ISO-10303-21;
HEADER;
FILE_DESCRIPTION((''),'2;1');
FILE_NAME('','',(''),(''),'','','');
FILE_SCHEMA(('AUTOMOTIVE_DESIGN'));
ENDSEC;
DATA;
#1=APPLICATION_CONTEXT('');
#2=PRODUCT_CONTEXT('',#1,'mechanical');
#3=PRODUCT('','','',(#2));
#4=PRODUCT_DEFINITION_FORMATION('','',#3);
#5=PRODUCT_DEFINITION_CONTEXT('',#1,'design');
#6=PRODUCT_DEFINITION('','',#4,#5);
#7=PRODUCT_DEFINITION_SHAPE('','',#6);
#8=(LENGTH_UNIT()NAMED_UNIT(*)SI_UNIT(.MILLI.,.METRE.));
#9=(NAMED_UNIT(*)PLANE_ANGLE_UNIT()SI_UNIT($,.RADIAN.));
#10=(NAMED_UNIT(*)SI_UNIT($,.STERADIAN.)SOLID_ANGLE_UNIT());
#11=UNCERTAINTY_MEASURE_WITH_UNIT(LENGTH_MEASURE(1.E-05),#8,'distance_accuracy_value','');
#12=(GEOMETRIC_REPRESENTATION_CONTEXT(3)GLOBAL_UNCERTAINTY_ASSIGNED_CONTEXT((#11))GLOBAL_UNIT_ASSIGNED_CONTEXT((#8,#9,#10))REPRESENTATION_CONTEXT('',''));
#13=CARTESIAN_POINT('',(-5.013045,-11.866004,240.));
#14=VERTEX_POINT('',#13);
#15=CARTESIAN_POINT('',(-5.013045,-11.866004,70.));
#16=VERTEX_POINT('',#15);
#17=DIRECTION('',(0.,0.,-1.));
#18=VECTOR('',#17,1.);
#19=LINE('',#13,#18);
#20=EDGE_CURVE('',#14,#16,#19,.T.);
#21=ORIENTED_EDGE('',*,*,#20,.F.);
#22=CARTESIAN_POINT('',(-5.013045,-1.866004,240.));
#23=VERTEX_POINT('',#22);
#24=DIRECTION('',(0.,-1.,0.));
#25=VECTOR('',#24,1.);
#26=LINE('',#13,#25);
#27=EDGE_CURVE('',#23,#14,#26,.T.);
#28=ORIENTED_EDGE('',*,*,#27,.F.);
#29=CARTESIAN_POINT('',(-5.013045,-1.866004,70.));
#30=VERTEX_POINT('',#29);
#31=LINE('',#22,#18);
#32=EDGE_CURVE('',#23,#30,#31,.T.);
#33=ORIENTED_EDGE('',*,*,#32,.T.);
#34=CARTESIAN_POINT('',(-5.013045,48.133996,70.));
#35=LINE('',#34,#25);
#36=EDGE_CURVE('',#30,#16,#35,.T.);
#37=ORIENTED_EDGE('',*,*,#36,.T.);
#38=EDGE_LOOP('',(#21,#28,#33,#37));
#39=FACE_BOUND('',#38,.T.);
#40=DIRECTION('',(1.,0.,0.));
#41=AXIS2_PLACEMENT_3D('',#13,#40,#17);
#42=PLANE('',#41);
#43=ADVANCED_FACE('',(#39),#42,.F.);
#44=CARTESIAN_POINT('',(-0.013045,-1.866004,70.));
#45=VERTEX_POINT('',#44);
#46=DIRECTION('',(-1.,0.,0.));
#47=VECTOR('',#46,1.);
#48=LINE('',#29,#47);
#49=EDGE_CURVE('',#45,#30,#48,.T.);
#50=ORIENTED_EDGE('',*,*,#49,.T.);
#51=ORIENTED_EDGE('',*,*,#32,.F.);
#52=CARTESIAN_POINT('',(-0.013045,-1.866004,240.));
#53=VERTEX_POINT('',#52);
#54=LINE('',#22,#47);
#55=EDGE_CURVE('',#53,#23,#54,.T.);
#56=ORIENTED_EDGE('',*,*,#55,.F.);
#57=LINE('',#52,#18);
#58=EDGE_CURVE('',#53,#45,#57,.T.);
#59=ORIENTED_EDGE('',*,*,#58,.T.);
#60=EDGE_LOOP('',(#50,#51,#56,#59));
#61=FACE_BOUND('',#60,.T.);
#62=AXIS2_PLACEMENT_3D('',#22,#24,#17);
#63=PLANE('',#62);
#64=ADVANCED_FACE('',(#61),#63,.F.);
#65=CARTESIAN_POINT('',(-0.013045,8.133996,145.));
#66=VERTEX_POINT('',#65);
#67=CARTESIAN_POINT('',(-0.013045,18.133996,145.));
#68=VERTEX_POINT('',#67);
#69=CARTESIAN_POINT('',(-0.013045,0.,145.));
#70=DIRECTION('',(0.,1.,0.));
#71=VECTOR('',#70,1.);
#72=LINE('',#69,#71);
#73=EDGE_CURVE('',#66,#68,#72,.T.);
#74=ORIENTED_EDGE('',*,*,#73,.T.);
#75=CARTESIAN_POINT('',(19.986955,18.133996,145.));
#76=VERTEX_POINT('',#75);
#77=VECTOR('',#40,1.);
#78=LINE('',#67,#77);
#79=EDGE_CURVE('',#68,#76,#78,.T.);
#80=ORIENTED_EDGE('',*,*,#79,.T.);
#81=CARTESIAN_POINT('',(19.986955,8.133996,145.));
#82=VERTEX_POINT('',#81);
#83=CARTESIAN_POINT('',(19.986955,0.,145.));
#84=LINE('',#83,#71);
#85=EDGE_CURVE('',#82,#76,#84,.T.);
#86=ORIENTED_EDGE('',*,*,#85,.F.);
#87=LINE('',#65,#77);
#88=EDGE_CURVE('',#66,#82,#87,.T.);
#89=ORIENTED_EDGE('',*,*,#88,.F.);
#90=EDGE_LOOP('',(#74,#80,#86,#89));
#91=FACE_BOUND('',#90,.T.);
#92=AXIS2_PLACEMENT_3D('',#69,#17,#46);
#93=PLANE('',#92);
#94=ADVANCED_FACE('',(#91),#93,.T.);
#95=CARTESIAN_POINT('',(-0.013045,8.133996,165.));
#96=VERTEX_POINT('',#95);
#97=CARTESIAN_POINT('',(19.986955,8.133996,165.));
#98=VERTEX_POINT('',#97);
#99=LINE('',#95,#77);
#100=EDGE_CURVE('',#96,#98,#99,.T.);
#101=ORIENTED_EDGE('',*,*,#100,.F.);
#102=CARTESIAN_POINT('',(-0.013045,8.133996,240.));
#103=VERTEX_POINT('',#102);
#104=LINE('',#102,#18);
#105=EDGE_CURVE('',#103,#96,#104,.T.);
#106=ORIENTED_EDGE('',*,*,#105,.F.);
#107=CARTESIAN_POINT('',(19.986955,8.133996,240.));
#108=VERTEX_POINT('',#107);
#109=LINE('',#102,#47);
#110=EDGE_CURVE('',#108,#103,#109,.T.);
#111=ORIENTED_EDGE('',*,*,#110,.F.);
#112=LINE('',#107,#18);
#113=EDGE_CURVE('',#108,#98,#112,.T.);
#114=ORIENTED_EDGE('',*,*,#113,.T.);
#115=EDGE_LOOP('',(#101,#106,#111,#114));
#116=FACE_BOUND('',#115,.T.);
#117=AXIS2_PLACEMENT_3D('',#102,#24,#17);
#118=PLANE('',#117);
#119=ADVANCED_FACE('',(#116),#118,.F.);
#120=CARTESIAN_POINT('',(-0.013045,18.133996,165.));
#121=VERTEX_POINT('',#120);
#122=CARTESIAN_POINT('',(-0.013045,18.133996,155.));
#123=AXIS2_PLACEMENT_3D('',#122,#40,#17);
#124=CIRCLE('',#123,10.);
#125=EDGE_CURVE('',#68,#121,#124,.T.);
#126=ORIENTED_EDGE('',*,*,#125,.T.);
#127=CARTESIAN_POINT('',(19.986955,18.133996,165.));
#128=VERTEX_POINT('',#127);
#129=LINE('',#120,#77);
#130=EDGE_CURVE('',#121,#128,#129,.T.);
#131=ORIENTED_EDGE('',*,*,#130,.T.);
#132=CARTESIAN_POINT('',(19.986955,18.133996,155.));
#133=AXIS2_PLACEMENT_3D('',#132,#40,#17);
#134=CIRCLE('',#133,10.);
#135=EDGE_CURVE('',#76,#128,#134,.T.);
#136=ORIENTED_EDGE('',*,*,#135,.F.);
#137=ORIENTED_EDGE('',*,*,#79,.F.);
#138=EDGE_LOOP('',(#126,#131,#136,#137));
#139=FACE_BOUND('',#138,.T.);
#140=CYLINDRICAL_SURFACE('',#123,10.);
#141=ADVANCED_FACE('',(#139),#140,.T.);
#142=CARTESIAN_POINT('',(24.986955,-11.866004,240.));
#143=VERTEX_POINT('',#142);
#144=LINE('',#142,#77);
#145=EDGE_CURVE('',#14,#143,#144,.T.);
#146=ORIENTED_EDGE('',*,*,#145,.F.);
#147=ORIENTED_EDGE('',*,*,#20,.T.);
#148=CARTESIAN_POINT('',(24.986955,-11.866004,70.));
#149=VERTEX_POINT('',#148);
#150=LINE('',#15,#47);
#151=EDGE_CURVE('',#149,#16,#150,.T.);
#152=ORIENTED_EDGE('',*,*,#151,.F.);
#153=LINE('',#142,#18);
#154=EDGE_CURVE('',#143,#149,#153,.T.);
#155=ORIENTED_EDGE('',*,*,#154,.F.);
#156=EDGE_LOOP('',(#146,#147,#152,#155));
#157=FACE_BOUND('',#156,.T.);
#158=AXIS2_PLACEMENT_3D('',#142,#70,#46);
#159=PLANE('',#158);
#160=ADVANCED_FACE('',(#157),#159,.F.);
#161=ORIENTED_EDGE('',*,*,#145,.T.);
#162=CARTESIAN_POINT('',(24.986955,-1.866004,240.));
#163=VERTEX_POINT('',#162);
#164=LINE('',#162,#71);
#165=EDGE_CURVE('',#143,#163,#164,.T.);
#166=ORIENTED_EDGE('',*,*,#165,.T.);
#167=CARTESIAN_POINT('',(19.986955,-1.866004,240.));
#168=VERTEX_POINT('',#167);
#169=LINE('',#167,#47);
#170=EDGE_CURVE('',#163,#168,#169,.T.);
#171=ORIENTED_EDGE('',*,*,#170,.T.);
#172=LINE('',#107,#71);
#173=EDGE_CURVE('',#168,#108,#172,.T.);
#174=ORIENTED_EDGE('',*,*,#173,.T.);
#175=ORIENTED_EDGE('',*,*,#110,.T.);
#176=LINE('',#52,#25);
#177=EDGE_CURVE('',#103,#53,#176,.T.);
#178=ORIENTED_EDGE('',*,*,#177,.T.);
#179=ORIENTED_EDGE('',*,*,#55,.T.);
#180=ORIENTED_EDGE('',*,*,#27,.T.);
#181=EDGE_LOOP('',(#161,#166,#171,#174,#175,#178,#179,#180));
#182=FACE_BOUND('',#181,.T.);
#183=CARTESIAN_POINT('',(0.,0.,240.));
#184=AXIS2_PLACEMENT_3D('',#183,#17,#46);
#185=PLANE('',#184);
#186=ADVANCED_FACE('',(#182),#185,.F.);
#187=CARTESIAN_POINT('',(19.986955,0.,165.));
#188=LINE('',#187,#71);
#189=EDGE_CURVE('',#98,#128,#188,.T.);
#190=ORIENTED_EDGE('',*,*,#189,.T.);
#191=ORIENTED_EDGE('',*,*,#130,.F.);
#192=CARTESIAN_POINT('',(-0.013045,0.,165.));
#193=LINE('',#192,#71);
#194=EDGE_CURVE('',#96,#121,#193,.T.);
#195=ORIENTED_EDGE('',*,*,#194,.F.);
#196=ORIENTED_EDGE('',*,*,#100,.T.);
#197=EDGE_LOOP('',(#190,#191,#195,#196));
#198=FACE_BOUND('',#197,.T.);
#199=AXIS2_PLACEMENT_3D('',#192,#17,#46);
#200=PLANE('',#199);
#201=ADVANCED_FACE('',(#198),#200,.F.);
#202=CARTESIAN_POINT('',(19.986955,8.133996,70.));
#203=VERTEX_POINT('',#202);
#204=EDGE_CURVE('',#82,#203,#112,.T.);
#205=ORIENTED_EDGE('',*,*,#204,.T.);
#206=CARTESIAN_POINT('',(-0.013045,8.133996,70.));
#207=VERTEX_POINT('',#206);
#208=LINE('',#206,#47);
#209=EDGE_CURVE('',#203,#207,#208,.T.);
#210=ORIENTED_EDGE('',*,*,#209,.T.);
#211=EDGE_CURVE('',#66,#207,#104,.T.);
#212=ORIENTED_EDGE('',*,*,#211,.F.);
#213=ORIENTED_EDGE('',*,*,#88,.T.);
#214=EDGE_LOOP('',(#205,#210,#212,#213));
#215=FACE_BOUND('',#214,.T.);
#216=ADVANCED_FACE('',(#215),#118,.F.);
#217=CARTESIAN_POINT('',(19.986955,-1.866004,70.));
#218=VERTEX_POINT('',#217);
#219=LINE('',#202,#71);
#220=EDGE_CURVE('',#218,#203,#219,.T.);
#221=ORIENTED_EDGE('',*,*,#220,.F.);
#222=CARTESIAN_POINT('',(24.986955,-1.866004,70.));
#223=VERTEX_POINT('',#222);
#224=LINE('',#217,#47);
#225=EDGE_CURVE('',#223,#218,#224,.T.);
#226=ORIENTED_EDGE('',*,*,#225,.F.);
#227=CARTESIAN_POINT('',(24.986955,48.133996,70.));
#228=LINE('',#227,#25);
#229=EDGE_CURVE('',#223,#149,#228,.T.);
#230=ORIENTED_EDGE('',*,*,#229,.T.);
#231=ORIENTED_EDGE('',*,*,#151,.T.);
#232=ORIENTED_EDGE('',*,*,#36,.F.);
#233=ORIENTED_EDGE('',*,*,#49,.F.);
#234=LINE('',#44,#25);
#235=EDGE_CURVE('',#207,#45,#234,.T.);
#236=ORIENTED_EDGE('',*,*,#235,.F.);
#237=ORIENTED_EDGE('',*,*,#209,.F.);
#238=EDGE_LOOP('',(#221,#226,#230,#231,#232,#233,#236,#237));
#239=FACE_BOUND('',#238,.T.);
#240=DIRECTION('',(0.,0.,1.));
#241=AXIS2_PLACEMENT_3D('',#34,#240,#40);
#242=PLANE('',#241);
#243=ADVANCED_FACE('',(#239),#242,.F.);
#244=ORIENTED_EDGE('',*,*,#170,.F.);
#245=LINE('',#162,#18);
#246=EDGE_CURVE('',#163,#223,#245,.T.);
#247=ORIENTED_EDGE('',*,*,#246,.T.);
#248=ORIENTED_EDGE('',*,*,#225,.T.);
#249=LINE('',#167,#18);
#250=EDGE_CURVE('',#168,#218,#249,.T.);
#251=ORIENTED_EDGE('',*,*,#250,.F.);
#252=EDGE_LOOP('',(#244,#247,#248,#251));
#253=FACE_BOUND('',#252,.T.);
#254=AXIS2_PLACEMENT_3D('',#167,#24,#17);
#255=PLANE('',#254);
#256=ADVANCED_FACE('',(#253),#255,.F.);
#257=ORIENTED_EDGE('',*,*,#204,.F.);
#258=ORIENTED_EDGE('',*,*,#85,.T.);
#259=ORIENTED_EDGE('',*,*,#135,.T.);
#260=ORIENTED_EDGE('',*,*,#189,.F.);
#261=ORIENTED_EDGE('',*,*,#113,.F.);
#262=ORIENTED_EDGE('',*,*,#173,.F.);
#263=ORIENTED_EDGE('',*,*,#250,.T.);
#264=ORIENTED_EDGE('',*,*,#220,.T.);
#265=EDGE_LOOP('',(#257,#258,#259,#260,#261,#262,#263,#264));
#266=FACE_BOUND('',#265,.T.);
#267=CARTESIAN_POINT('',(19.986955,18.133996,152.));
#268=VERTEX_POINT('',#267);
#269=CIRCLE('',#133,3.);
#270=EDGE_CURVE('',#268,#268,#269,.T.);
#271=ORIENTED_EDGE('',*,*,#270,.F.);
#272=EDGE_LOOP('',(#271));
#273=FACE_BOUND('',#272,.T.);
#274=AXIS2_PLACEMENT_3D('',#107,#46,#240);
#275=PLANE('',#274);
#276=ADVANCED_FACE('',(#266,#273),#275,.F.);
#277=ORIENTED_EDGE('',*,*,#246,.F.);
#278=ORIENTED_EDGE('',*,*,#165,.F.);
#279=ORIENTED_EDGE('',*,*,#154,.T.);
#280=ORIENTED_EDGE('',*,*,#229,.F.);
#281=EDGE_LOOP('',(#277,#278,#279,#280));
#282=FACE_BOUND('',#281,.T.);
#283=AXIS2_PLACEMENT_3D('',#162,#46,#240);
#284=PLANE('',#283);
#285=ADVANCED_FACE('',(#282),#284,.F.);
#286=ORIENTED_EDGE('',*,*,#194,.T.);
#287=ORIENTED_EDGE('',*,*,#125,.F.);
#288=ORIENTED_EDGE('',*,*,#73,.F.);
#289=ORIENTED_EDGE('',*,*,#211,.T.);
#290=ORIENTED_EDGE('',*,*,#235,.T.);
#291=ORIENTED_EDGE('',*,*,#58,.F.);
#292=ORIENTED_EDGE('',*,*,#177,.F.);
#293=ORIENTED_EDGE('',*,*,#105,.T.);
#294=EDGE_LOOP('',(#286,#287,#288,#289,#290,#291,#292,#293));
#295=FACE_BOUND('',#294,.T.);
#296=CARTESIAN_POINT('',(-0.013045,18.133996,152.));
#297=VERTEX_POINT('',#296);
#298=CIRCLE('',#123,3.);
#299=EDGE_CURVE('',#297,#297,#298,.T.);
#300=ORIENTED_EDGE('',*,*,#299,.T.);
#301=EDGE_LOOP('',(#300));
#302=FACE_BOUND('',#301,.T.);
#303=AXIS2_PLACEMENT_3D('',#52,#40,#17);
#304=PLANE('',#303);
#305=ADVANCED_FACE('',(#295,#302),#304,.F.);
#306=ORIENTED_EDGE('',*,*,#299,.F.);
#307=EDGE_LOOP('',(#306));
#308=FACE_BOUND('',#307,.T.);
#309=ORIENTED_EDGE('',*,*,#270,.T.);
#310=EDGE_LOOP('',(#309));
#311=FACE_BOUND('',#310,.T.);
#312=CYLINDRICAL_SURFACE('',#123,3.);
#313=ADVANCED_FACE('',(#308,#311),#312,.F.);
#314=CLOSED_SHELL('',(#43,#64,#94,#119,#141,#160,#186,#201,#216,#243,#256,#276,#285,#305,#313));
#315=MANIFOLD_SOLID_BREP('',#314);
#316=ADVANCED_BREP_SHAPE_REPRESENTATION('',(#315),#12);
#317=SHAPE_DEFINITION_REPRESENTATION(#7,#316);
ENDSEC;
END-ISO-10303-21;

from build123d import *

# Parameters (mm, degrees)
EXTRUDE_3_DEPTH     = 240
EXTRUDE_5_DEPTH     = 100
SKETCH_9_W          = 30
SKETCH_9_H          = 170
CUT_EXTRUDE_1_DEPTH = 60
EXTRUDE_6_DEPTH     = 20


with BuildPart() as part:
    # 草图1 → 凸台-拉伸3 (new body)
    with BuildSketch(Plane.XY):
        Polygon((24.986954743, -11.866003736), (-5.013045257, -11.866003736), (-5.013045257, -1.866003736), (-0.013045257, -1.866003736), (-0.013045257, 8.133996264), (19.986954743, 8.133996264), (19.986954743, -1.866003736), (24.986954743, -1.866003736), align=None)
    extrude(amount=EXTRUDE_3_DEPTH)

    # 草图4 → 凸台-拉伸5 (add)
    with BuildSketch(Plane(origin=(0, 0, 0), x_dir=(-1, 0, 0), z_dir=(0, 0, -1))):
        Polygon((-19.986954743, 8.133996264), (0.013045257, 8.133996264), (0.013045257, -1.866003736), (5.013045257, -1.866003736), (5.013045257, -11.866003736), (-24.986954743, -11.866003736), (-24.986954743, -1.866003736), (-19.986954743, -1.866003736), align=None)
    extrude(amount=EXTRUDE_5_DEPTH)

    # 草图9 → 切除-拉伸1 (cut)
    with BuildSketch(Plane.XZ.offset(11.866003736)):
        with Locations((9.986954743, -15)):
            Rectangle(SKETCH_9_W, SKETCH_9_H)
    extrude(amount=-CUT_EXTRUDE_1_DEPTH, mode=Mode.SUBTRACT)

    # 草图11 → 凸台-拉伸6 (add)
    with BuildSketch(Plane(origin=(19.986954743, 0, 0), x_dir=(0, 0, -1), z_dir=(1, 0, 0))):
        with BuildLine():
            ThreePointArc((-145, 18.133996264), (-155, 28.133996264), (-165, 18.133996264))
            Line((-165, 18.133996264), (-158, 18.133996264))
            ThreePointArc((-158, 18.133996264), (-155, 21.133996264), (-152, 18.133996264))
            Line((-152, 18.133996264), (-145, 18.133996264))
        make_face()
        with BuildLine():
            Line((-158, 18.133996264), (-165, 18.133996264))
            ThreePointArc((-165, 18.133996264), (-162.071067812, 11.062928453), (-155, 8.133996264))
            ThreePointArc((-155, 8.133996264), (-147.928932188, 11.062928453), (-145, 18.133996264))
            Line((-145, 18.133996264), (-152, 18.133996264))
            ThreePointArc((-152, 18.133996264), (-155, 15.133996264), (-158, 18.133996264))
        make_face()
        with BuildLine():
            ThreePointArc((-145, 18.133996264), (-147.928932188, 11.062928453), (-155, 8.133996264))
            Line((-155, 8.133996264), (-145, 8.133996264))
            Line((-145, 8.133996264), (-145, 18.133996264))
        make_face()
        with BuildLine():
            Line((-165, 18.133996264), (-165, 8.133996264))
            Line((-165, 8.133996264), (-155, 8.133996264))
            ThreePointArc((-155, 8.133996264), (-162.071067812, 11.062928453), (-165, 18.133996264))
        make_face()
    extrude(amount=-EXTRUDE_6_DEPTH)


solid = part.part
